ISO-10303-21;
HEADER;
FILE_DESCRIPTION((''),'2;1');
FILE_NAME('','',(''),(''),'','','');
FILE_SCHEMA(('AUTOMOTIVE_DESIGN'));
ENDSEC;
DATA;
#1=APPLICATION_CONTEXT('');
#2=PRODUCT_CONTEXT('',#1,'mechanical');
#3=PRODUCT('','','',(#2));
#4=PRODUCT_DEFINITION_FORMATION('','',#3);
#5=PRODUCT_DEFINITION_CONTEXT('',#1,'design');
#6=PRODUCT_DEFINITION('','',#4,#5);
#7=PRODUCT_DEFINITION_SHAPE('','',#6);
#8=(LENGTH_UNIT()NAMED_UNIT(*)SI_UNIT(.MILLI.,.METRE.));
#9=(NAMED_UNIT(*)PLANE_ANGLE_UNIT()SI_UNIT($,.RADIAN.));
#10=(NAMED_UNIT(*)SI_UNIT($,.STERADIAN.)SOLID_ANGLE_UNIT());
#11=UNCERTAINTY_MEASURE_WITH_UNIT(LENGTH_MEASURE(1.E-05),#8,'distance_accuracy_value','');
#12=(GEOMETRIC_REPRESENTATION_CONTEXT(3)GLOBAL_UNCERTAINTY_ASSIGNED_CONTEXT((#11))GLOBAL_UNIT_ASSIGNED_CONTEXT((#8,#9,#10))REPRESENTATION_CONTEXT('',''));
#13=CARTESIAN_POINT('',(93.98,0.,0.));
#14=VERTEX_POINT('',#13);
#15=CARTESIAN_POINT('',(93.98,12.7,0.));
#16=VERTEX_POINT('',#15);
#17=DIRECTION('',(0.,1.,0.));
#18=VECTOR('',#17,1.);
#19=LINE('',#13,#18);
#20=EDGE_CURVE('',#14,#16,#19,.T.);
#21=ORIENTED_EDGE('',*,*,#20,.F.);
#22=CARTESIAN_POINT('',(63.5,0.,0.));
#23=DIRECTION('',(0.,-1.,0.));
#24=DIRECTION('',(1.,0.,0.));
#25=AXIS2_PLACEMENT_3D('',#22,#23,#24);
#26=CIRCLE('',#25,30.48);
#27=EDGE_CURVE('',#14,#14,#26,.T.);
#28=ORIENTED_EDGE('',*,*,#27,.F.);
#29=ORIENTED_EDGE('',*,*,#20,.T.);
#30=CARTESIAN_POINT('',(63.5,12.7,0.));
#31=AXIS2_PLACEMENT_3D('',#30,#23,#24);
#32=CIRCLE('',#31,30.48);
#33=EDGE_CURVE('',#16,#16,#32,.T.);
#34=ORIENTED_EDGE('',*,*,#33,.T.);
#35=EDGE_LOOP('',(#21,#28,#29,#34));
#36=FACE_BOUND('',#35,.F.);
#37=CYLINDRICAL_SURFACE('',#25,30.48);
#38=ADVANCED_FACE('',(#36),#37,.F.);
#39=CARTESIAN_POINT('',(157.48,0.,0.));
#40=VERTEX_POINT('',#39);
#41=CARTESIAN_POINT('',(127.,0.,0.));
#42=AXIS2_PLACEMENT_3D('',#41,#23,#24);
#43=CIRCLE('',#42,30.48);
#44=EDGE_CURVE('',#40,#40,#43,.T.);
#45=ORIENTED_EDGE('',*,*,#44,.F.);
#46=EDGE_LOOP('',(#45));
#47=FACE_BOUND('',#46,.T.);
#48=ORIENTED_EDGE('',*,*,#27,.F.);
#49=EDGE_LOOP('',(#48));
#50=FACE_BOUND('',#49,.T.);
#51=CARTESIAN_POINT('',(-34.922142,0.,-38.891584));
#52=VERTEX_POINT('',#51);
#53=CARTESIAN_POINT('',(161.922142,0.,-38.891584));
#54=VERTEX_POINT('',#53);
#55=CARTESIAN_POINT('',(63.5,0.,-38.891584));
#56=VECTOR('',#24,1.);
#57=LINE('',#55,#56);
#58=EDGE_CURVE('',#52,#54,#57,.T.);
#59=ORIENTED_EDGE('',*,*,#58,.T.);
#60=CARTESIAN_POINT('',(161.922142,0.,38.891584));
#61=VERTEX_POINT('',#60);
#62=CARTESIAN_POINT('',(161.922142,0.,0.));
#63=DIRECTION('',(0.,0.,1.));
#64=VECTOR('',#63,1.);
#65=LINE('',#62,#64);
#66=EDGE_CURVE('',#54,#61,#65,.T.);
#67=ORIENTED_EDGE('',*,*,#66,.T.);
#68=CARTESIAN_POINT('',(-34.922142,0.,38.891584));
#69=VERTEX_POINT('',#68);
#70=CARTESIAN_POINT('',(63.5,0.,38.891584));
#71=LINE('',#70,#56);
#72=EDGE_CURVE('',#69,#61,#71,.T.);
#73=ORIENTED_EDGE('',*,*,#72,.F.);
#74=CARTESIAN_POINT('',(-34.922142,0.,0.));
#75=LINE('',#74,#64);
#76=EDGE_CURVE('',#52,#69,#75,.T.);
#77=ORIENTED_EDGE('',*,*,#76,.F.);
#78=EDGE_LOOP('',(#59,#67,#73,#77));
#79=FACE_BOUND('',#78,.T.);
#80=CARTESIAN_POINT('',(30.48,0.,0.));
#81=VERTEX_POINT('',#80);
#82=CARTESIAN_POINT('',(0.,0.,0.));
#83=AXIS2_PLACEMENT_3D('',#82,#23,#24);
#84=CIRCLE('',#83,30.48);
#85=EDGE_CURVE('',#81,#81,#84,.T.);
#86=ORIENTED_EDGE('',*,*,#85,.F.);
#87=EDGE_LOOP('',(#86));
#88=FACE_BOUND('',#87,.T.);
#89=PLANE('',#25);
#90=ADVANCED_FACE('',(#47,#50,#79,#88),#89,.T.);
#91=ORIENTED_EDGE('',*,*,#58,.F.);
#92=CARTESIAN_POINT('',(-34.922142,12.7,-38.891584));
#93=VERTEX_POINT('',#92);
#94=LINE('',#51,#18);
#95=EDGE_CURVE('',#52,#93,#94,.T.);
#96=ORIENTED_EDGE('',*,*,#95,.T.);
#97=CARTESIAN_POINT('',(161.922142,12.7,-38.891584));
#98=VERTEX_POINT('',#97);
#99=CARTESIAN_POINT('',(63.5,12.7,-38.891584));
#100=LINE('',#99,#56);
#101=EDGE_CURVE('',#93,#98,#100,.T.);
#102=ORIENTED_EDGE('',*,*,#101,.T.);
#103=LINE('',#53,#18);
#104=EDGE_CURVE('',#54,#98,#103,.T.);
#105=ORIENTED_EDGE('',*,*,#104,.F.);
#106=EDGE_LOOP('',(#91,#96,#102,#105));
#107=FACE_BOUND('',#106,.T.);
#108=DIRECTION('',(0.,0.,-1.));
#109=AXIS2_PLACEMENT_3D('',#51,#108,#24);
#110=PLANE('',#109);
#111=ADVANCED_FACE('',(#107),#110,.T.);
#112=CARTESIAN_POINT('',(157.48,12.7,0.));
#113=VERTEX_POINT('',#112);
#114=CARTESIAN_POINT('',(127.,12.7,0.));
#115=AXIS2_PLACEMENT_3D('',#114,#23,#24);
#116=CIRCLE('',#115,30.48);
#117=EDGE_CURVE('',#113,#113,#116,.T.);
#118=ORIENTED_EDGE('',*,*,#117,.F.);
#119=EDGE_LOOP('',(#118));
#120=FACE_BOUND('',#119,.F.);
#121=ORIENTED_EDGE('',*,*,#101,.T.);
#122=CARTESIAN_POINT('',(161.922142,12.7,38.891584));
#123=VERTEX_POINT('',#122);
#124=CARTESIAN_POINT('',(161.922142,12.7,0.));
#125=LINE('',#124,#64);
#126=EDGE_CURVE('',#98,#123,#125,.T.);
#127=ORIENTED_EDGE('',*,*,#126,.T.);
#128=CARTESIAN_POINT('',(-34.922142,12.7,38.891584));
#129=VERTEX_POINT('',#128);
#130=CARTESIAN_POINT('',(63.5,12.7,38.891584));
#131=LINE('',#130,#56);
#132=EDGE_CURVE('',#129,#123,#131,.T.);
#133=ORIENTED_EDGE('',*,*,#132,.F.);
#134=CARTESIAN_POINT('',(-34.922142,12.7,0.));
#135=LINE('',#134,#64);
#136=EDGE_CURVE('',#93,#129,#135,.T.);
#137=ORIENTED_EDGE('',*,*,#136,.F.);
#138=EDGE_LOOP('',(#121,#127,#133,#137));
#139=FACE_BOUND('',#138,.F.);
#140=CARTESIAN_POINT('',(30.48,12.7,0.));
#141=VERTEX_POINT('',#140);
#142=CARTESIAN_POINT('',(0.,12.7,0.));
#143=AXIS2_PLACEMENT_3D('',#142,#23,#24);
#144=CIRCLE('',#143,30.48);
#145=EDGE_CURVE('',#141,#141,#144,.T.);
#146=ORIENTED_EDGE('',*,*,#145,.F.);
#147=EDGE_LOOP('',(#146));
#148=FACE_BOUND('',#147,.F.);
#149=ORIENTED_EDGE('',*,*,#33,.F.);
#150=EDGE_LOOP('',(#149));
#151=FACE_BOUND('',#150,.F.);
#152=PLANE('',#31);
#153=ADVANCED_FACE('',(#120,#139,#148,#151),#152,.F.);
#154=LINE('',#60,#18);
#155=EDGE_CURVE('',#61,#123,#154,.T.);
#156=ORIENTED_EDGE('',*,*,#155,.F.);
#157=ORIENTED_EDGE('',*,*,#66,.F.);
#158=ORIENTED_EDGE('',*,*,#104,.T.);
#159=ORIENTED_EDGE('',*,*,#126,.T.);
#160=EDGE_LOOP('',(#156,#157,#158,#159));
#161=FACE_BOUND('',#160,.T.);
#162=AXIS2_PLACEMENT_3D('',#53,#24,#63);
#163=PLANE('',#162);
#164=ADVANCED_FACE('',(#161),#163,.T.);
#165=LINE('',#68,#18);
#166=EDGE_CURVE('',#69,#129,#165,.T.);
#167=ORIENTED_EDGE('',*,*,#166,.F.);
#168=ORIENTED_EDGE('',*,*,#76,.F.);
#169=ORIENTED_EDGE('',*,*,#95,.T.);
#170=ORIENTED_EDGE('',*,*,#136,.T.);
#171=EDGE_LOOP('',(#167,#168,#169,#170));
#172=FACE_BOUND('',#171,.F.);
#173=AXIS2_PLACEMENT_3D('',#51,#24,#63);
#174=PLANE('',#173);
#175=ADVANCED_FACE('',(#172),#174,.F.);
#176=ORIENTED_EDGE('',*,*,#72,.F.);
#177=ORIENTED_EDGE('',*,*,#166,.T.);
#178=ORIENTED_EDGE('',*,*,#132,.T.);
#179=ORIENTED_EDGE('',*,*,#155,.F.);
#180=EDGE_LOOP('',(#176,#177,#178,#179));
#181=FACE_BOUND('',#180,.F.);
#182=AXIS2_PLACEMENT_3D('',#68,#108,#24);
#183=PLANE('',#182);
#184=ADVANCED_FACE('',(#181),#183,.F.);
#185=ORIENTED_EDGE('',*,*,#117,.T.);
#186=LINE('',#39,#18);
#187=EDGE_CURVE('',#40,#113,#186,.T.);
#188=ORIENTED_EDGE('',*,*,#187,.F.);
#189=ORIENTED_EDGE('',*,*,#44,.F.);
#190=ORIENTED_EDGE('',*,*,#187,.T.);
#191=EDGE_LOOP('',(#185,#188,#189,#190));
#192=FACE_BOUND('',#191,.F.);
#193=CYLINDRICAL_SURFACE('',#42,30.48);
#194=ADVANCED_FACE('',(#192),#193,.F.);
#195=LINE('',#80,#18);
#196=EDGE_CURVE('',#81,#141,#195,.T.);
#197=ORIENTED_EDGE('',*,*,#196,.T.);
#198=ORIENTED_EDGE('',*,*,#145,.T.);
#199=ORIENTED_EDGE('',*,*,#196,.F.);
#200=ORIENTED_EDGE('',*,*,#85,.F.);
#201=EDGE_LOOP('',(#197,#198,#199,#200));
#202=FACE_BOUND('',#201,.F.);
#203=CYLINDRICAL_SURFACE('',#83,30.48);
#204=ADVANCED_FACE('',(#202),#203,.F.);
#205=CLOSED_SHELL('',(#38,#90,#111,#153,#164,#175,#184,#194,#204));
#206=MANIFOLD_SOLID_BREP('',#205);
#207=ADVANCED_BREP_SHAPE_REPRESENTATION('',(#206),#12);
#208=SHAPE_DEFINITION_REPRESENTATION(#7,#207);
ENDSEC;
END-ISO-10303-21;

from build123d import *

# Parameters (mm, degrees)
F0_W     = 196.844284
F0_H     = 77.783168
F0_R     = 30.48
F1_DEPTH = 12.7


with BuildPart() as f1:
    # F0 (on Front) → F1 (new body)
    with BuildSketch(Plane.XZ):
        with Locations((63.5, 0)):
            Rectangle(F0_W, F0_H)
        Circle(F0_R, mode=Mode.SUBTRACT)
        with Locations((63.5, 0)):
            Circle(F0_R, mode=Mode.SUBTRACT)
        with Locations((127, 0)):
            Circle(F0_R, mode=Mode.SUBTRACT)
    extrude(amount=-F1_DEPTH)


solid = f1.part
